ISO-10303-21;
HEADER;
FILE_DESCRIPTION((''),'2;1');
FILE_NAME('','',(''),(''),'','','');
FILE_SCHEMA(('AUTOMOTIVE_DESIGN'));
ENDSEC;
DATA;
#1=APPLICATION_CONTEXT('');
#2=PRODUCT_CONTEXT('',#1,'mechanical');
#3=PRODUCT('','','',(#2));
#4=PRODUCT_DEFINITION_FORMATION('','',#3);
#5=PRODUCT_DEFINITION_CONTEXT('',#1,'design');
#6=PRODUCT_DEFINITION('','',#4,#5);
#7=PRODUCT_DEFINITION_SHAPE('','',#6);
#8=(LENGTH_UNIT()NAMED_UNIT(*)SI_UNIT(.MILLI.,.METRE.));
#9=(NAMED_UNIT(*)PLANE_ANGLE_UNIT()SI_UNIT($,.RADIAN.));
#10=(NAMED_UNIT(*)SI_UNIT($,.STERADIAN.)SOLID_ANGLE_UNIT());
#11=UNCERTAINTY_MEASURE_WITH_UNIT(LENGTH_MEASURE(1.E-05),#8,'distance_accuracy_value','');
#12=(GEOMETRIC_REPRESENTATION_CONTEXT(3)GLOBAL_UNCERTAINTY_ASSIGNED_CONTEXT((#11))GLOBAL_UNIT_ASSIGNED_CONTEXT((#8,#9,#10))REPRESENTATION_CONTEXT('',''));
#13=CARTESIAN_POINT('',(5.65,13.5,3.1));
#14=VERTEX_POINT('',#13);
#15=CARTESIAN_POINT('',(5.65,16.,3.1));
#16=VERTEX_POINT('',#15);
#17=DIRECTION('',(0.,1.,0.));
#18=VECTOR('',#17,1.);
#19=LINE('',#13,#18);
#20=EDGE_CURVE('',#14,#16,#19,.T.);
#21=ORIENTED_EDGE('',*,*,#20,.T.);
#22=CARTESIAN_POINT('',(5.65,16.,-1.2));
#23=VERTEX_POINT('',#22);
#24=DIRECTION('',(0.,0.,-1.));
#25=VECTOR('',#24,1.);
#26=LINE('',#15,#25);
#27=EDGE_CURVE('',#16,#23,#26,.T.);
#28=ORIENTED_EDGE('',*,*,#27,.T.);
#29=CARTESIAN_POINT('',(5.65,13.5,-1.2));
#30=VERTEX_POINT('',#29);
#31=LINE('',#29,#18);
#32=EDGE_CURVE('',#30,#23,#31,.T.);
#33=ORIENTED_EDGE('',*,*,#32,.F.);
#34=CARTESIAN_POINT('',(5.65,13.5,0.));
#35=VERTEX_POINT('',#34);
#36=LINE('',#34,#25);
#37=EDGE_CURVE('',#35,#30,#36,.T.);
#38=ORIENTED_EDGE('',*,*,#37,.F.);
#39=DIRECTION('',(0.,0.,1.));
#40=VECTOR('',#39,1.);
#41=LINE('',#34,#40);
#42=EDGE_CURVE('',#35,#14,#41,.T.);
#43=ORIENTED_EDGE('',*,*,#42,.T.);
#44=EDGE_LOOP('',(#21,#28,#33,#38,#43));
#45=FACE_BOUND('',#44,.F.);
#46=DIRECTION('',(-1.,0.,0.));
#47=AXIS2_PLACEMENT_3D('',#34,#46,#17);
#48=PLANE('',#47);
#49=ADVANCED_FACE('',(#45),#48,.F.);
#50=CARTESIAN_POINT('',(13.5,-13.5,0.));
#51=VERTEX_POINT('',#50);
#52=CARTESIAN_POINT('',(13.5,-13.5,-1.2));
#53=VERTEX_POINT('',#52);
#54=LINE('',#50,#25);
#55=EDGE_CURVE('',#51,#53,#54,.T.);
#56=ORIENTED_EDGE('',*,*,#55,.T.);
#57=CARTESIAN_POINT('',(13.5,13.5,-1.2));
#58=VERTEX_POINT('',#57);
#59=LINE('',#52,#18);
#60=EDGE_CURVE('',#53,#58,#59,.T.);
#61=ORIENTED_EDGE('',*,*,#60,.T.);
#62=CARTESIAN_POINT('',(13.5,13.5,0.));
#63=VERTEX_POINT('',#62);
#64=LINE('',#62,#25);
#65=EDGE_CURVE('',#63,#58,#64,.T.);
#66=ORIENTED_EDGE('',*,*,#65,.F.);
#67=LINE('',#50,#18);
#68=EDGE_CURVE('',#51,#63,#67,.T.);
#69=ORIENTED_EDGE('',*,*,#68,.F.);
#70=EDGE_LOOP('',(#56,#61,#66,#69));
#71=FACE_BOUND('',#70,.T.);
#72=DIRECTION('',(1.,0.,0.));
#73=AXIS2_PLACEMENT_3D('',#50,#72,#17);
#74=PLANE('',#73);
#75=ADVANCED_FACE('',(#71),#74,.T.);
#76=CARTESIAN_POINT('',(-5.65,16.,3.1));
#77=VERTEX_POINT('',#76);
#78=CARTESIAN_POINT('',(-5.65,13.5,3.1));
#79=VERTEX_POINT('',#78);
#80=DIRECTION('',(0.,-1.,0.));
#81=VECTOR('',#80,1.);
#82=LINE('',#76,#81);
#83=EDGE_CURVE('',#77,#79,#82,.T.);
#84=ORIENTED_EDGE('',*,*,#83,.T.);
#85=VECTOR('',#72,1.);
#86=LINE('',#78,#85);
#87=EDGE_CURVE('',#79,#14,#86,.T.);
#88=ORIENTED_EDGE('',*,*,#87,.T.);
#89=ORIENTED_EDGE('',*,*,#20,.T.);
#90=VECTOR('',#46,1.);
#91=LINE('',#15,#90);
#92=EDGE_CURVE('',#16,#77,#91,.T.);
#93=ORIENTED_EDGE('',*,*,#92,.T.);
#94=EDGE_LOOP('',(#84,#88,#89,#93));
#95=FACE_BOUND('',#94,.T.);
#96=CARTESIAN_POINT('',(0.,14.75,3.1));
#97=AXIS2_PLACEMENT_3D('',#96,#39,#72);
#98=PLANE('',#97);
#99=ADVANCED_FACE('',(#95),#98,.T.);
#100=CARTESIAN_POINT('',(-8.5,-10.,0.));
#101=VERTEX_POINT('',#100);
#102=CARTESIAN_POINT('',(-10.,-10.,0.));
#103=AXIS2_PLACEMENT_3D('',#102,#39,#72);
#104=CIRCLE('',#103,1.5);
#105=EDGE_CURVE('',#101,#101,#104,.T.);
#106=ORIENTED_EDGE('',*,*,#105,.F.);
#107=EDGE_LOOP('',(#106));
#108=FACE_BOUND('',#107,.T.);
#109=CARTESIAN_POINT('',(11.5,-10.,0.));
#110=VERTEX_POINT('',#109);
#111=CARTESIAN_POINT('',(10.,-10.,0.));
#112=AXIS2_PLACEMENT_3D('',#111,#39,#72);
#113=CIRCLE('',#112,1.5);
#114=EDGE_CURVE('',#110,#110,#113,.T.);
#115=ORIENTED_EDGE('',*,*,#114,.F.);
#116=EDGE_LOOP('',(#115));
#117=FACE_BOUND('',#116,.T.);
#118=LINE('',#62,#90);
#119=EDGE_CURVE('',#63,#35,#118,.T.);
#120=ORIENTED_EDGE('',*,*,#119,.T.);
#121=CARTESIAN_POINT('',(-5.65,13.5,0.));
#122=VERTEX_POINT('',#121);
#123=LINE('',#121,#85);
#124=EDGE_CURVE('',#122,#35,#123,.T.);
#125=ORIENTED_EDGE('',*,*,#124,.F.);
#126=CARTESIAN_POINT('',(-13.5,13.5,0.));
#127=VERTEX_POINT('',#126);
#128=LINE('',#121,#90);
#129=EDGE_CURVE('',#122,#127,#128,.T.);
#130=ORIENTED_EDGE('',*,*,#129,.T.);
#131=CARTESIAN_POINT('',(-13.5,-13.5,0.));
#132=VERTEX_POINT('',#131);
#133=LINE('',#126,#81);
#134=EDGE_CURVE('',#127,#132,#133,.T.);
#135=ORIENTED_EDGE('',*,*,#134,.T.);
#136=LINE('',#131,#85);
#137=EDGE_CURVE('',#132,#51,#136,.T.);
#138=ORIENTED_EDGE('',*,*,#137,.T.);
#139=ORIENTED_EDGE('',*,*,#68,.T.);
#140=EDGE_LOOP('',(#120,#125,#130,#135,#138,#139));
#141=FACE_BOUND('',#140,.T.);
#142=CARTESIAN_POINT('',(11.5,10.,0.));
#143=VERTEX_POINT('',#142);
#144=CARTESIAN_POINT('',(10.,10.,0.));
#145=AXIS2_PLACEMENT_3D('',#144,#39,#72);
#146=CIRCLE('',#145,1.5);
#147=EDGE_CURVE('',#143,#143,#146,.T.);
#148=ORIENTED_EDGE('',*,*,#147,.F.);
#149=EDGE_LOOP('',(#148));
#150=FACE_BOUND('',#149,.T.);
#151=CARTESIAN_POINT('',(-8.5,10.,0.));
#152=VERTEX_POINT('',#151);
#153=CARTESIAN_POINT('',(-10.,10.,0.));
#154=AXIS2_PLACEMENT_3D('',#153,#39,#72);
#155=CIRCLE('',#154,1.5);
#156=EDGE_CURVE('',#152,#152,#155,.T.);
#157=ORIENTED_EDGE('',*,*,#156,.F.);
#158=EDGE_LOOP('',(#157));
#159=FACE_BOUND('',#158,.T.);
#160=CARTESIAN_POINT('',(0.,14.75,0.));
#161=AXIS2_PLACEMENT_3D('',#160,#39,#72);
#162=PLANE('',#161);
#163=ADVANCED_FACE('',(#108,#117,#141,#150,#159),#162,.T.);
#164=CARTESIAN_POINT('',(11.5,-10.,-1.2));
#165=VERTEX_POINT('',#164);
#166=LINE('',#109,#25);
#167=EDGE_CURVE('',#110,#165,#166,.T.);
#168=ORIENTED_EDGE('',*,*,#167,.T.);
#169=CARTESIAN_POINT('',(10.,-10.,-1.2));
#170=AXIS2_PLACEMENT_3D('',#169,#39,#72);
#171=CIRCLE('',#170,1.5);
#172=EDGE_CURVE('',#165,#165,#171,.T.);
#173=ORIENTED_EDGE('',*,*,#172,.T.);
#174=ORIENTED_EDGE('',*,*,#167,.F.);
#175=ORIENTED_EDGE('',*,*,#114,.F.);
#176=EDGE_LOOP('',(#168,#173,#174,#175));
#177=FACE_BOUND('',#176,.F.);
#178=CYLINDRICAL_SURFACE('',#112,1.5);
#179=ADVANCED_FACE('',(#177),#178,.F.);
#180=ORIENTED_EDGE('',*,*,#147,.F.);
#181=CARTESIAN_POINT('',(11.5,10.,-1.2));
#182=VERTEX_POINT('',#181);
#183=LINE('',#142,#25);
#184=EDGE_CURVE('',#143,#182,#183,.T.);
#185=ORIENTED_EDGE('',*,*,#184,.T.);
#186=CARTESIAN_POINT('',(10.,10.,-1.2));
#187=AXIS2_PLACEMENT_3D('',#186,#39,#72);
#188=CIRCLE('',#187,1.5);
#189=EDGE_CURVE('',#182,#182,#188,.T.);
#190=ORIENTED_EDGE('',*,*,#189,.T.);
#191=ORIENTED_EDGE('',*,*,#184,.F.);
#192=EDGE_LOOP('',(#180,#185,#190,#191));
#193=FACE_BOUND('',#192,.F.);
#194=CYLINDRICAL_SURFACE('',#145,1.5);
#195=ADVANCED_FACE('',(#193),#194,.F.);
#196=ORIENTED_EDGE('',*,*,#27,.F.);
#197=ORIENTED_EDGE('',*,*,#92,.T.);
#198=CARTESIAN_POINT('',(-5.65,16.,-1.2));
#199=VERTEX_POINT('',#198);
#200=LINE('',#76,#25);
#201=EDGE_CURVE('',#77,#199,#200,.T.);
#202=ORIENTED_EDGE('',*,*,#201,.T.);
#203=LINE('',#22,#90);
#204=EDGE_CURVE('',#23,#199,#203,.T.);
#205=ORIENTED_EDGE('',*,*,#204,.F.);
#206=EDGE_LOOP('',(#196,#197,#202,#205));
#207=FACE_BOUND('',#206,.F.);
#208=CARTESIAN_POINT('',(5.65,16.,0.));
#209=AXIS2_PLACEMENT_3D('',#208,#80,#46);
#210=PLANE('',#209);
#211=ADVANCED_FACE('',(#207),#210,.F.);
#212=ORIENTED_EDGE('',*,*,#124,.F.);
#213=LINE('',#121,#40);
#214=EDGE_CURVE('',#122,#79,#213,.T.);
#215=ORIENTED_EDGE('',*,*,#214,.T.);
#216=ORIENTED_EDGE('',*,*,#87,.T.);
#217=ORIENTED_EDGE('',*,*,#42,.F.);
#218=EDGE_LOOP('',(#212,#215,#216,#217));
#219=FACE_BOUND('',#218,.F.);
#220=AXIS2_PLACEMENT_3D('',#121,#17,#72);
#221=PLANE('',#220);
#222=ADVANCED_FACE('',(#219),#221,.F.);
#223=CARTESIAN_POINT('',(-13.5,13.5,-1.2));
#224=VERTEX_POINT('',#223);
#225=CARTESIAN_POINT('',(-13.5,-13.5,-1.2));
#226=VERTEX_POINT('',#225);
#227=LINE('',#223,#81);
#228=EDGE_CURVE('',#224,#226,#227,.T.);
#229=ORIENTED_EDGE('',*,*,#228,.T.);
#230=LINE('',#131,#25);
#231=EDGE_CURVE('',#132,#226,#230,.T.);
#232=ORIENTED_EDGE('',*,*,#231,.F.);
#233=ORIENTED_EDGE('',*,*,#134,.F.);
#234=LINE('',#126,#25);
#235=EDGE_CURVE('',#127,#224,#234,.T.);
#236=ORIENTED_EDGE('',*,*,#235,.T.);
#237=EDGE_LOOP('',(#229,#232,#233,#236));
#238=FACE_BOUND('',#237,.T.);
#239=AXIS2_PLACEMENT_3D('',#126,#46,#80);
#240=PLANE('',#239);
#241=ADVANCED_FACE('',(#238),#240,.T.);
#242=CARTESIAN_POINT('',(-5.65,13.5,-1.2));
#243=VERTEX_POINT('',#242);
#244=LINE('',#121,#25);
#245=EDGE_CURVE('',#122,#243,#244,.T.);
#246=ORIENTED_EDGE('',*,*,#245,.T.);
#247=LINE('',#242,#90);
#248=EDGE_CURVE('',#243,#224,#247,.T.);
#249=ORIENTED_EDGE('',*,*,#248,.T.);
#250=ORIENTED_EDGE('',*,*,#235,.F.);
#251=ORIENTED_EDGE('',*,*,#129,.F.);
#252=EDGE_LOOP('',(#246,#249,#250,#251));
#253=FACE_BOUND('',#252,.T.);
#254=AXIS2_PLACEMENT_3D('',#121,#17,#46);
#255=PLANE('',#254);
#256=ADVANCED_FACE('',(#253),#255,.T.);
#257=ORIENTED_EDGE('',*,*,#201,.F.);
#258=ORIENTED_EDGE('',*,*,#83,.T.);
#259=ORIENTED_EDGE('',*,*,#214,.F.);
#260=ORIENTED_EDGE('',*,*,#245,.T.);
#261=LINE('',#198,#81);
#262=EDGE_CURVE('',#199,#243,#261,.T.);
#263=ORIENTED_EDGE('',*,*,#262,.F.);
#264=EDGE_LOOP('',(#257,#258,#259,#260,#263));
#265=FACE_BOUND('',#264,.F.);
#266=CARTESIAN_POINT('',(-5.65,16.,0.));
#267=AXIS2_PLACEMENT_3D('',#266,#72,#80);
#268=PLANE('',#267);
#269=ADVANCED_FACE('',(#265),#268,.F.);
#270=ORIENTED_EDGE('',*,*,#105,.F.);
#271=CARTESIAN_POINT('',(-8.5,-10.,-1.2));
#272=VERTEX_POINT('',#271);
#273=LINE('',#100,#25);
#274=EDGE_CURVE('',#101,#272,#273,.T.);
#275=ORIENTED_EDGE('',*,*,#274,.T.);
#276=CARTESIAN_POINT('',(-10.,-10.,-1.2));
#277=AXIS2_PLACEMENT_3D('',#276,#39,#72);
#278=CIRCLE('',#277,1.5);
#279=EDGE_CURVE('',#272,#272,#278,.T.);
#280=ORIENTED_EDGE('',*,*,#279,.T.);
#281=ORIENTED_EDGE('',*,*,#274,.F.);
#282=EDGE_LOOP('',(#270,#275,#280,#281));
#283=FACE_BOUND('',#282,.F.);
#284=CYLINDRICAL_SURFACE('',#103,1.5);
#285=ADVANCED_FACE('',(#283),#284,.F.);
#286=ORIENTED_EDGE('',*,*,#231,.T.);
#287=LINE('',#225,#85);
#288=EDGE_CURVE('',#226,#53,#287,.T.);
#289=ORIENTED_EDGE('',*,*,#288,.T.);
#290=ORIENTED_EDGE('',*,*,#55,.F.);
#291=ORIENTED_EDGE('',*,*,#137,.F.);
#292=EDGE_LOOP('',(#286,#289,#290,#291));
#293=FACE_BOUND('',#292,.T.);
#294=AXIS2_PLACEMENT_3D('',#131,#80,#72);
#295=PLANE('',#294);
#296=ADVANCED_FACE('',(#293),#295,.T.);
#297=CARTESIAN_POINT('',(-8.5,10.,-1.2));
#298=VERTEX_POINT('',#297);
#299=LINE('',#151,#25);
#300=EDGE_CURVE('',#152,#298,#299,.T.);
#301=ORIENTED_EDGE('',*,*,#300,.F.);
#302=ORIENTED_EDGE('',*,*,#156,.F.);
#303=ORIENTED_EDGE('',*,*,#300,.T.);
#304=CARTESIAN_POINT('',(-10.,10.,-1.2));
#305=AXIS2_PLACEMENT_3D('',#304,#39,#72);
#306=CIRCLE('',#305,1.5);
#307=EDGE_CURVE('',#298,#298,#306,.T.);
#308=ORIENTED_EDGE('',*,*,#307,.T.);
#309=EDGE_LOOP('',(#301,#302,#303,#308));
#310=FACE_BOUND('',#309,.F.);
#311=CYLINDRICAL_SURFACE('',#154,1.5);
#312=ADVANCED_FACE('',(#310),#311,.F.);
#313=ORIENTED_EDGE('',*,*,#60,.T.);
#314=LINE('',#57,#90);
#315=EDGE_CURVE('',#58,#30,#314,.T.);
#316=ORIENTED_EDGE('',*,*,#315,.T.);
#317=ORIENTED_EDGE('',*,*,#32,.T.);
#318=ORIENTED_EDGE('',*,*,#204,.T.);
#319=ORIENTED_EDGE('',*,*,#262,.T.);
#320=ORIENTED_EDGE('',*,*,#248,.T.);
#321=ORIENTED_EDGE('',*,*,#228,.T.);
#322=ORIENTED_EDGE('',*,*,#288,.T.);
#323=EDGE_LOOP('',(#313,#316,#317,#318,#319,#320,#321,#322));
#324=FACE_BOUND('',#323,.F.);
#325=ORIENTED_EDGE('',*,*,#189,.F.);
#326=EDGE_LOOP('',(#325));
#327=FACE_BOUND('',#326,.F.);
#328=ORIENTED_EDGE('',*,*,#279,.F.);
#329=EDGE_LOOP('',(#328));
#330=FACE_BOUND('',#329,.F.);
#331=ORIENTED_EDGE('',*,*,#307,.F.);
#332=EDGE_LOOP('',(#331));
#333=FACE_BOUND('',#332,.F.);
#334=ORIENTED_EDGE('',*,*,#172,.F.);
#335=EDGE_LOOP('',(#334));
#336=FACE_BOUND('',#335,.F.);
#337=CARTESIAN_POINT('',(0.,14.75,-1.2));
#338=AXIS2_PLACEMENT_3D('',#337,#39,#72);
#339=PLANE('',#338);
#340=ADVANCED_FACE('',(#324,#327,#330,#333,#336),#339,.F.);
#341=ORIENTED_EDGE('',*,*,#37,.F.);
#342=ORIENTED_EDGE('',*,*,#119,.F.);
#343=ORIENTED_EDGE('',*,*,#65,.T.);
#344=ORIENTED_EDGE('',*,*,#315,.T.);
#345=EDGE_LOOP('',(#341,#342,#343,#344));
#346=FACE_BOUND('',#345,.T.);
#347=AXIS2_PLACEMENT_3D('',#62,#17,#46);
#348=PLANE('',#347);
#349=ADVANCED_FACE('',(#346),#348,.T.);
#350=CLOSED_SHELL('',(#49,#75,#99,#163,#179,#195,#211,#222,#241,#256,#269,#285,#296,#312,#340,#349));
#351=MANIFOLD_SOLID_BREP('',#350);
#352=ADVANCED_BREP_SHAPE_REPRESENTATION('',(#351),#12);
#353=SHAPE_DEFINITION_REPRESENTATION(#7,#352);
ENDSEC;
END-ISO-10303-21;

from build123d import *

# Parameters (mm, degrees)
F0_R     = 1.5
F1_DEPTH = 1.2
F2_DEPTH = 3.1


with BuildPart() as f1:
    # F0 (on Top) → F1 (new body)
    with BuildSketch(Plane.XY):
        Polygon((-5.65, 16), (-5.65, 13.5), (0, 13.5), (5.65, 13.5), (5.65, 16), align=None)
        Polygon((-5.65, 13.5), (-13.5, 13.5), (-13.5, -13.5), (13.5, -13.5), (13.5, 13.5), (5.65, 13.5), (0, 13.5), align=None)
        with Locations((-10, -10)):
            Circle(F0_R, mode=Mode.SUBTRACT)
        with Locations((10, -10)):
            Circle(F0_R, mode=Mode.SUBTRACT)
        with Locations((-10, 10)):
            Circle(F0_R, mode=Mode.SUBTRACT)
        with Locations((10, 10)):
            Circle(F0_R, mode=Mode.SUBTRACT)
    extrude(amount=-F1_DEPTH)

    # F0 (on Top) → F2 (join)
    with BuildSketch(Plane.XY):
        Polygon((-5.65, 16), (-5.65, 13.5), (0, 13.5), (5.65, 13.5), (5.65, 16), align=None)
    extrude(amount=F2_DEPTH)


solid = f1.part
